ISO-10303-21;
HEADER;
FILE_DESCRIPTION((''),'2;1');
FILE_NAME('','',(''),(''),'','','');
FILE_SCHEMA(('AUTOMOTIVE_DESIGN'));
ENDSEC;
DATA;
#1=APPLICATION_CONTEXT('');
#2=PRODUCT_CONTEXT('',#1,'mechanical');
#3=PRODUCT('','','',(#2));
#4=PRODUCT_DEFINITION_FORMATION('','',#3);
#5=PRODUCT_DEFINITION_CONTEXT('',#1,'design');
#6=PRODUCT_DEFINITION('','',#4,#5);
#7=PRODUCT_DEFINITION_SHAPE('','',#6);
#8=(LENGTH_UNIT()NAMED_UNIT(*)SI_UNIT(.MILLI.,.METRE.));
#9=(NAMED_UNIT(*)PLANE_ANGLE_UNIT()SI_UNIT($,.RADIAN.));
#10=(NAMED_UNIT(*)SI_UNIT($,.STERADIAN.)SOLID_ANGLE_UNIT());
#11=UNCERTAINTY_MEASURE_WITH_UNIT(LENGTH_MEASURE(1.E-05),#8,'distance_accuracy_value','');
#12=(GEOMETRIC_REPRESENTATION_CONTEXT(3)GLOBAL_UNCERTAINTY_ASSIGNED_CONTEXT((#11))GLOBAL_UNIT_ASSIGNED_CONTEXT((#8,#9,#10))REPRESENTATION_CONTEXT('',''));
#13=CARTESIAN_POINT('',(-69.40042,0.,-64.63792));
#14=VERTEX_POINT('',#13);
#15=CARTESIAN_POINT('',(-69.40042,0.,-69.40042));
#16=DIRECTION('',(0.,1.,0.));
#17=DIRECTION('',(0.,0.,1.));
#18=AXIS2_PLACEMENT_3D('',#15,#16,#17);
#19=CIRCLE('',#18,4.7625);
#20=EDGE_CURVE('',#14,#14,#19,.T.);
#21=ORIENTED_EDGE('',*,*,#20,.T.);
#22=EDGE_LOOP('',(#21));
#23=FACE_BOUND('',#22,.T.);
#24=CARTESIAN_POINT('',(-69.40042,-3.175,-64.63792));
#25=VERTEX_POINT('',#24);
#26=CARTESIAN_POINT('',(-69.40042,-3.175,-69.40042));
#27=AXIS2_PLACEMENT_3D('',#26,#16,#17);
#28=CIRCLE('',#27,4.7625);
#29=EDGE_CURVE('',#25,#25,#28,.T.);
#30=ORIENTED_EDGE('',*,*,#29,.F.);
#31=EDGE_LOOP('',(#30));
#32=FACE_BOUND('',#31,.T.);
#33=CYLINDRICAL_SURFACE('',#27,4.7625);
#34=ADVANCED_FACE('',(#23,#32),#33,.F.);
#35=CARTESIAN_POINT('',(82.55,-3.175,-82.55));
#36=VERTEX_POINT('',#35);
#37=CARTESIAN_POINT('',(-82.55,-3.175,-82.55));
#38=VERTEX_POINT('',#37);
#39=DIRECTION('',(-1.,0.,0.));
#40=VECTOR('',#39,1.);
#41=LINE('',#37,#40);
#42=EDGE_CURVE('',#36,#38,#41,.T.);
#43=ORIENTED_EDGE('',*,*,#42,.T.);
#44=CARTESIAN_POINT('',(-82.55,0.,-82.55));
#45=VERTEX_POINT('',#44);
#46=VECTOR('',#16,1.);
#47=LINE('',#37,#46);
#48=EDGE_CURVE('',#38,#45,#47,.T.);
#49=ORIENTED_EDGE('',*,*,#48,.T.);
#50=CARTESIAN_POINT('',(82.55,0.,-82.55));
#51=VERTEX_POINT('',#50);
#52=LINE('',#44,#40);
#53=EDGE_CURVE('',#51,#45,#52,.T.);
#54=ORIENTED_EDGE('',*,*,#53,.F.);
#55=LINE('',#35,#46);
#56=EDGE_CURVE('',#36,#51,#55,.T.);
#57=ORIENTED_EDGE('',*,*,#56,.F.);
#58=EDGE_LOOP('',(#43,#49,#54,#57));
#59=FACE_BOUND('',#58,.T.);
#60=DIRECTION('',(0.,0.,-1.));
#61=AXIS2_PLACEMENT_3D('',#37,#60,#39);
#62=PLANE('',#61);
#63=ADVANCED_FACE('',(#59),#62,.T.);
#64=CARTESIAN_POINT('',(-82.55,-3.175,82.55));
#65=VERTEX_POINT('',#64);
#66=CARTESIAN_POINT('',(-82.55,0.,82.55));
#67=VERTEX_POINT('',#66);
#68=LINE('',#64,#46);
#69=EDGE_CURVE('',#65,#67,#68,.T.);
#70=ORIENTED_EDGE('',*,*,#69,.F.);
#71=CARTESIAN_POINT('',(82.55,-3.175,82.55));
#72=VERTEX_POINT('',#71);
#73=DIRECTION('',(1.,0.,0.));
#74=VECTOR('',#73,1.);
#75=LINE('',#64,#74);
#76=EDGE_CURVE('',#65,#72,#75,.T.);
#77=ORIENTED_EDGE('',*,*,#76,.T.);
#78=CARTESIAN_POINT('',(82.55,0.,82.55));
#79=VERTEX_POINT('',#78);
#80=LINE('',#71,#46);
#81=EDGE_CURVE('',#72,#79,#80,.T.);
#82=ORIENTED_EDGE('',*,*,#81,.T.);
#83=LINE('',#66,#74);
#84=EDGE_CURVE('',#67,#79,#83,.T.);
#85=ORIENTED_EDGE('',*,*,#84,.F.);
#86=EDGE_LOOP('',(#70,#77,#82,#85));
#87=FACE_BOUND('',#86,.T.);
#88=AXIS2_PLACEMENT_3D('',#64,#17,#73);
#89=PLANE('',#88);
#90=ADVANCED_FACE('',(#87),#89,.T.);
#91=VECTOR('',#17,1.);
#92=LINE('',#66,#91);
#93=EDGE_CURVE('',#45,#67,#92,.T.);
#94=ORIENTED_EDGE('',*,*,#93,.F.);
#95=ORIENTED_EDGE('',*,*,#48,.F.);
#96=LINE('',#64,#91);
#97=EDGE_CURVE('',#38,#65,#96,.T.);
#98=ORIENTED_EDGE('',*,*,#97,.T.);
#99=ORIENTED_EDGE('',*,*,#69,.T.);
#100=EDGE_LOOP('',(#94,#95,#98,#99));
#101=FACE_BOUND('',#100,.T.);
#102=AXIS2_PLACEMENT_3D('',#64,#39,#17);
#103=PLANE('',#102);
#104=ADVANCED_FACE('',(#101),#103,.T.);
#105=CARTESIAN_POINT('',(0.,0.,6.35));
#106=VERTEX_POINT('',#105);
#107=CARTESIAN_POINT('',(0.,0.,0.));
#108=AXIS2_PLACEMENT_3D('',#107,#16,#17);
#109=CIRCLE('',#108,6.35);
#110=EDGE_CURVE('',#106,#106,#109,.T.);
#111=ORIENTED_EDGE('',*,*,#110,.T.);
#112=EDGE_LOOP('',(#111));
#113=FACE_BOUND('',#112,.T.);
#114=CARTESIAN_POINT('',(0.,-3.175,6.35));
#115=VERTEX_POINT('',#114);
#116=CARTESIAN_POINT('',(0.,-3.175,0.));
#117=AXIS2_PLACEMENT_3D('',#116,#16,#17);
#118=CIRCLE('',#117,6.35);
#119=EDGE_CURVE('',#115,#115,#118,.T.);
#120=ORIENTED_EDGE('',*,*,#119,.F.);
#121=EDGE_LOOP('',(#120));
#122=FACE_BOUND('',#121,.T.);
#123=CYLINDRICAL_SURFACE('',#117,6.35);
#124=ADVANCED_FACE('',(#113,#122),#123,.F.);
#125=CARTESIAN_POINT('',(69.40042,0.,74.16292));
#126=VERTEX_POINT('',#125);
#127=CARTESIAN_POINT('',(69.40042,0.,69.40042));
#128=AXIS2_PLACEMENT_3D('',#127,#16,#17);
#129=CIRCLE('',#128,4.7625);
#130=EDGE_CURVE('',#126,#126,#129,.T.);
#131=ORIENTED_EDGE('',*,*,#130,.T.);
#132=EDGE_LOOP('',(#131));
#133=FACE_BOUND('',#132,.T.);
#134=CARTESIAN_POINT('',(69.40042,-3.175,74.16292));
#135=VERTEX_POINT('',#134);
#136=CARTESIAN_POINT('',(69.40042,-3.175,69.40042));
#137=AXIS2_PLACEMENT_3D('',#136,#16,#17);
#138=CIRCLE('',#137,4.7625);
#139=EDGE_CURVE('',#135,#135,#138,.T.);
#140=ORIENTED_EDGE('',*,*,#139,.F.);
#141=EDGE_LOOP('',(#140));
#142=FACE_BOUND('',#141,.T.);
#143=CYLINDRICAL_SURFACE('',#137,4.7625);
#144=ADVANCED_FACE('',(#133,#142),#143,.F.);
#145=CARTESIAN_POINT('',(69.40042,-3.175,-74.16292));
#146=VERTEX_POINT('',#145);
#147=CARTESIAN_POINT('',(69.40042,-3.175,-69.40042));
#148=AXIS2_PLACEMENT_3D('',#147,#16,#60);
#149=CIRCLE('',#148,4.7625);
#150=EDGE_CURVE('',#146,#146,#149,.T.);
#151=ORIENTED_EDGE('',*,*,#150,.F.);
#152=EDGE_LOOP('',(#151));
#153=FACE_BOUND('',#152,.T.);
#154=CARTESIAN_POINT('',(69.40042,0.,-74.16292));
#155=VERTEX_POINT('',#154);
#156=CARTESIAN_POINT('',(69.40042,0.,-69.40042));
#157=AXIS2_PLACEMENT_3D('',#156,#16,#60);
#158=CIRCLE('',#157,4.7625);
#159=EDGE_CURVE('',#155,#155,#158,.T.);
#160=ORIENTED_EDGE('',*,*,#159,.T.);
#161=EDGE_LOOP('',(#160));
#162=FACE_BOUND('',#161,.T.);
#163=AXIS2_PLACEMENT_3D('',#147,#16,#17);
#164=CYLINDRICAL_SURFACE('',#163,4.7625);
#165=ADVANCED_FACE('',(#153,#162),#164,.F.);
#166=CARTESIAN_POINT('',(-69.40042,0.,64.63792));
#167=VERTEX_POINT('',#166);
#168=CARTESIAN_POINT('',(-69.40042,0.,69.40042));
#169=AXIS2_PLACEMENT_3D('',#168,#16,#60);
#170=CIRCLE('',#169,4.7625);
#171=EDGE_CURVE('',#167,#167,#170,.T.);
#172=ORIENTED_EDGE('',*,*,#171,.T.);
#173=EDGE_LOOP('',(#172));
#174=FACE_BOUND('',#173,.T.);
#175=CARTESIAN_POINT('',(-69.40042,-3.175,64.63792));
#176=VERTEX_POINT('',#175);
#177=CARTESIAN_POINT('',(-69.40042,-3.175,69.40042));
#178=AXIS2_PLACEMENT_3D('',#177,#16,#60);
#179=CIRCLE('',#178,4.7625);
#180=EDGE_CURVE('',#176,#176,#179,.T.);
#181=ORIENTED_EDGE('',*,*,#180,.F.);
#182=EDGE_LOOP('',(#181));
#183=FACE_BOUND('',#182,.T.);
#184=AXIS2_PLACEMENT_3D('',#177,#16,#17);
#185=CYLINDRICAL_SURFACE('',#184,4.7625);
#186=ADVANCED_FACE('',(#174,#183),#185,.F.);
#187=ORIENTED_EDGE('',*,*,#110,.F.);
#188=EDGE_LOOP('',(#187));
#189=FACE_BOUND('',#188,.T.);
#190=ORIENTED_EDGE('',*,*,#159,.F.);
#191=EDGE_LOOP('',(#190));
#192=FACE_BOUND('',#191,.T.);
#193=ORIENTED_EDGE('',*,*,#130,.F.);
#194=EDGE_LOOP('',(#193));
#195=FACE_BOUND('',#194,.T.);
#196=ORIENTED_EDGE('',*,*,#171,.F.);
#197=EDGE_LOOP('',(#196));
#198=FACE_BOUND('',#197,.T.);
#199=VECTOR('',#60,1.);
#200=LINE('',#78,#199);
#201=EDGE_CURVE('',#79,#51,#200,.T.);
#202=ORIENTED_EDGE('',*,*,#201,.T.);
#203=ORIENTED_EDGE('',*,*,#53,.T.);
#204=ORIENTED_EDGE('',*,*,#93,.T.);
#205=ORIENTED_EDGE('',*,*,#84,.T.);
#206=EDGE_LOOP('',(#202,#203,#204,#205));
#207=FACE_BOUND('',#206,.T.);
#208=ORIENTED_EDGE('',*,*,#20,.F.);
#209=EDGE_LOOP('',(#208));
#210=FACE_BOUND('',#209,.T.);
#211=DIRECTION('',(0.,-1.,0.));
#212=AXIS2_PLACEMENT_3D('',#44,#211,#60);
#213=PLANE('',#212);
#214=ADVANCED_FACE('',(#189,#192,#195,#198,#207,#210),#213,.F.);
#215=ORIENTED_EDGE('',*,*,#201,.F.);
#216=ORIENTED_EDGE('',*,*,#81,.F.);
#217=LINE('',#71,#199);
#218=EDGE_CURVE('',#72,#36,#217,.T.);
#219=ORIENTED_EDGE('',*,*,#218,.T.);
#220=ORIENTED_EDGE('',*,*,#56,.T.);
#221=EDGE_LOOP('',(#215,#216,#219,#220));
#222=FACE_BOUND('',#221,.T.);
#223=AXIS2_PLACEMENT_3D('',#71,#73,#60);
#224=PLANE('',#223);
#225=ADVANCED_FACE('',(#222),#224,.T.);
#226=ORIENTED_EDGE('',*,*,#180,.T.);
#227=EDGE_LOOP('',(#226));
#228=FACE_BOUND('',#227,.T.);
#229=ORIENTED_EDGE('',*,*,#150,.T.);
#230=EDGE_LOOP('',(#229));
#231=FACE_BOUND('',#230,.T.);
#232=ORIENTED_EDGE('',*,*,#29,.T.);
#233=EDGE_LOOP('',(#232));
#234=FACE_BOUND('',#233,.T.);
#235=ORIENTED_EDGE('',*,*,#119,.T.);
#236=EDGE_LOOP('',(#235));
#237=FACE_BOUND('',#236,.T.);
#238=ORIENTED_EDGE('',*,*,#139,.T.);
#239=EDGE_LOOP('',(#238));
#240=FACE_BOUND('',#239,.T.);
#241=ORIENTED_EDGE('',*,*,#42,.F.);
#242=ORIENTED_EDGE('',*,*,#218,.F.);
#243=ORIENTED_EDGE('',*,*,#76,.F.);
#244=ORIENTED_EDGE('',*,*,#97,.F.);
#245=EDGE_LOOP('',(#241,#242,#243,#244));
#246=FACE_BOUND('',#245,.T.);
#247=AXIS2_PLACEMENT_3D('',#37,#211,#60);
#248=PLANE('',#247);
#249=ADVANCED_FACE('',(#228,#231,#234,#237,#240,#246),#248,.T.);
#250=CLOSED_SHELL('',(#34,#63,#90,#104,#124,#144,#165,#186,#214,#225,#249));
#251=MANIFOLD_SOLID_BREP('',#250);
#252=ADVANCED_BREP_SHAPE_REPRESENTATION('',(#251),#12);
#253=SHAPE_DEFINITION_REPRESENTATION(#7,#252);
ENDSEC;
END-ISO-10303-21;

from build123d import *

# Parameters (mm, degrees)
SKETCH1_W      = 165.1
SKETCH1_H      = 165.1
SKETCH1_R      = 6.35
SKETCH1_R_2    = 4.7625
EXTRUDE1_DEPTH = 3.175


with BuildPart() as part:
    # Sketch1 → Extrude1 (new body)
    with BuildSketch(Plane(origin=(0, 0, 0), x_dir=(1, 0, 0), z_dir=(0, 1, 0))):
        Rectangle(SKETCH1_W, SKETCH1_H)
        Circle(SKETCH1_R, mode=Mode.SUBTRACT)
        with Locations((-69.40042, 69.40042)):
            Circle(SKETCH1_R_2, mode=Mode.SUBTRACT)
        with Locations((69.40042, 69.40042)):
            Circle(SKETCH1_R_2, mode=Mode.SUBTRACT)
        with Locations((69.40042, -69.40042)):
            Circle(SKETCH1_R_2, mode=Mode.SUBTRACT)
        with Locations((-69.40042, -69.40042)):
            Circle(SKETCH1_R_2, mode=Mode.SUBTRACT)
    extrude(amount=-EXTRUDE1_DEPTH)


solid = part.part
